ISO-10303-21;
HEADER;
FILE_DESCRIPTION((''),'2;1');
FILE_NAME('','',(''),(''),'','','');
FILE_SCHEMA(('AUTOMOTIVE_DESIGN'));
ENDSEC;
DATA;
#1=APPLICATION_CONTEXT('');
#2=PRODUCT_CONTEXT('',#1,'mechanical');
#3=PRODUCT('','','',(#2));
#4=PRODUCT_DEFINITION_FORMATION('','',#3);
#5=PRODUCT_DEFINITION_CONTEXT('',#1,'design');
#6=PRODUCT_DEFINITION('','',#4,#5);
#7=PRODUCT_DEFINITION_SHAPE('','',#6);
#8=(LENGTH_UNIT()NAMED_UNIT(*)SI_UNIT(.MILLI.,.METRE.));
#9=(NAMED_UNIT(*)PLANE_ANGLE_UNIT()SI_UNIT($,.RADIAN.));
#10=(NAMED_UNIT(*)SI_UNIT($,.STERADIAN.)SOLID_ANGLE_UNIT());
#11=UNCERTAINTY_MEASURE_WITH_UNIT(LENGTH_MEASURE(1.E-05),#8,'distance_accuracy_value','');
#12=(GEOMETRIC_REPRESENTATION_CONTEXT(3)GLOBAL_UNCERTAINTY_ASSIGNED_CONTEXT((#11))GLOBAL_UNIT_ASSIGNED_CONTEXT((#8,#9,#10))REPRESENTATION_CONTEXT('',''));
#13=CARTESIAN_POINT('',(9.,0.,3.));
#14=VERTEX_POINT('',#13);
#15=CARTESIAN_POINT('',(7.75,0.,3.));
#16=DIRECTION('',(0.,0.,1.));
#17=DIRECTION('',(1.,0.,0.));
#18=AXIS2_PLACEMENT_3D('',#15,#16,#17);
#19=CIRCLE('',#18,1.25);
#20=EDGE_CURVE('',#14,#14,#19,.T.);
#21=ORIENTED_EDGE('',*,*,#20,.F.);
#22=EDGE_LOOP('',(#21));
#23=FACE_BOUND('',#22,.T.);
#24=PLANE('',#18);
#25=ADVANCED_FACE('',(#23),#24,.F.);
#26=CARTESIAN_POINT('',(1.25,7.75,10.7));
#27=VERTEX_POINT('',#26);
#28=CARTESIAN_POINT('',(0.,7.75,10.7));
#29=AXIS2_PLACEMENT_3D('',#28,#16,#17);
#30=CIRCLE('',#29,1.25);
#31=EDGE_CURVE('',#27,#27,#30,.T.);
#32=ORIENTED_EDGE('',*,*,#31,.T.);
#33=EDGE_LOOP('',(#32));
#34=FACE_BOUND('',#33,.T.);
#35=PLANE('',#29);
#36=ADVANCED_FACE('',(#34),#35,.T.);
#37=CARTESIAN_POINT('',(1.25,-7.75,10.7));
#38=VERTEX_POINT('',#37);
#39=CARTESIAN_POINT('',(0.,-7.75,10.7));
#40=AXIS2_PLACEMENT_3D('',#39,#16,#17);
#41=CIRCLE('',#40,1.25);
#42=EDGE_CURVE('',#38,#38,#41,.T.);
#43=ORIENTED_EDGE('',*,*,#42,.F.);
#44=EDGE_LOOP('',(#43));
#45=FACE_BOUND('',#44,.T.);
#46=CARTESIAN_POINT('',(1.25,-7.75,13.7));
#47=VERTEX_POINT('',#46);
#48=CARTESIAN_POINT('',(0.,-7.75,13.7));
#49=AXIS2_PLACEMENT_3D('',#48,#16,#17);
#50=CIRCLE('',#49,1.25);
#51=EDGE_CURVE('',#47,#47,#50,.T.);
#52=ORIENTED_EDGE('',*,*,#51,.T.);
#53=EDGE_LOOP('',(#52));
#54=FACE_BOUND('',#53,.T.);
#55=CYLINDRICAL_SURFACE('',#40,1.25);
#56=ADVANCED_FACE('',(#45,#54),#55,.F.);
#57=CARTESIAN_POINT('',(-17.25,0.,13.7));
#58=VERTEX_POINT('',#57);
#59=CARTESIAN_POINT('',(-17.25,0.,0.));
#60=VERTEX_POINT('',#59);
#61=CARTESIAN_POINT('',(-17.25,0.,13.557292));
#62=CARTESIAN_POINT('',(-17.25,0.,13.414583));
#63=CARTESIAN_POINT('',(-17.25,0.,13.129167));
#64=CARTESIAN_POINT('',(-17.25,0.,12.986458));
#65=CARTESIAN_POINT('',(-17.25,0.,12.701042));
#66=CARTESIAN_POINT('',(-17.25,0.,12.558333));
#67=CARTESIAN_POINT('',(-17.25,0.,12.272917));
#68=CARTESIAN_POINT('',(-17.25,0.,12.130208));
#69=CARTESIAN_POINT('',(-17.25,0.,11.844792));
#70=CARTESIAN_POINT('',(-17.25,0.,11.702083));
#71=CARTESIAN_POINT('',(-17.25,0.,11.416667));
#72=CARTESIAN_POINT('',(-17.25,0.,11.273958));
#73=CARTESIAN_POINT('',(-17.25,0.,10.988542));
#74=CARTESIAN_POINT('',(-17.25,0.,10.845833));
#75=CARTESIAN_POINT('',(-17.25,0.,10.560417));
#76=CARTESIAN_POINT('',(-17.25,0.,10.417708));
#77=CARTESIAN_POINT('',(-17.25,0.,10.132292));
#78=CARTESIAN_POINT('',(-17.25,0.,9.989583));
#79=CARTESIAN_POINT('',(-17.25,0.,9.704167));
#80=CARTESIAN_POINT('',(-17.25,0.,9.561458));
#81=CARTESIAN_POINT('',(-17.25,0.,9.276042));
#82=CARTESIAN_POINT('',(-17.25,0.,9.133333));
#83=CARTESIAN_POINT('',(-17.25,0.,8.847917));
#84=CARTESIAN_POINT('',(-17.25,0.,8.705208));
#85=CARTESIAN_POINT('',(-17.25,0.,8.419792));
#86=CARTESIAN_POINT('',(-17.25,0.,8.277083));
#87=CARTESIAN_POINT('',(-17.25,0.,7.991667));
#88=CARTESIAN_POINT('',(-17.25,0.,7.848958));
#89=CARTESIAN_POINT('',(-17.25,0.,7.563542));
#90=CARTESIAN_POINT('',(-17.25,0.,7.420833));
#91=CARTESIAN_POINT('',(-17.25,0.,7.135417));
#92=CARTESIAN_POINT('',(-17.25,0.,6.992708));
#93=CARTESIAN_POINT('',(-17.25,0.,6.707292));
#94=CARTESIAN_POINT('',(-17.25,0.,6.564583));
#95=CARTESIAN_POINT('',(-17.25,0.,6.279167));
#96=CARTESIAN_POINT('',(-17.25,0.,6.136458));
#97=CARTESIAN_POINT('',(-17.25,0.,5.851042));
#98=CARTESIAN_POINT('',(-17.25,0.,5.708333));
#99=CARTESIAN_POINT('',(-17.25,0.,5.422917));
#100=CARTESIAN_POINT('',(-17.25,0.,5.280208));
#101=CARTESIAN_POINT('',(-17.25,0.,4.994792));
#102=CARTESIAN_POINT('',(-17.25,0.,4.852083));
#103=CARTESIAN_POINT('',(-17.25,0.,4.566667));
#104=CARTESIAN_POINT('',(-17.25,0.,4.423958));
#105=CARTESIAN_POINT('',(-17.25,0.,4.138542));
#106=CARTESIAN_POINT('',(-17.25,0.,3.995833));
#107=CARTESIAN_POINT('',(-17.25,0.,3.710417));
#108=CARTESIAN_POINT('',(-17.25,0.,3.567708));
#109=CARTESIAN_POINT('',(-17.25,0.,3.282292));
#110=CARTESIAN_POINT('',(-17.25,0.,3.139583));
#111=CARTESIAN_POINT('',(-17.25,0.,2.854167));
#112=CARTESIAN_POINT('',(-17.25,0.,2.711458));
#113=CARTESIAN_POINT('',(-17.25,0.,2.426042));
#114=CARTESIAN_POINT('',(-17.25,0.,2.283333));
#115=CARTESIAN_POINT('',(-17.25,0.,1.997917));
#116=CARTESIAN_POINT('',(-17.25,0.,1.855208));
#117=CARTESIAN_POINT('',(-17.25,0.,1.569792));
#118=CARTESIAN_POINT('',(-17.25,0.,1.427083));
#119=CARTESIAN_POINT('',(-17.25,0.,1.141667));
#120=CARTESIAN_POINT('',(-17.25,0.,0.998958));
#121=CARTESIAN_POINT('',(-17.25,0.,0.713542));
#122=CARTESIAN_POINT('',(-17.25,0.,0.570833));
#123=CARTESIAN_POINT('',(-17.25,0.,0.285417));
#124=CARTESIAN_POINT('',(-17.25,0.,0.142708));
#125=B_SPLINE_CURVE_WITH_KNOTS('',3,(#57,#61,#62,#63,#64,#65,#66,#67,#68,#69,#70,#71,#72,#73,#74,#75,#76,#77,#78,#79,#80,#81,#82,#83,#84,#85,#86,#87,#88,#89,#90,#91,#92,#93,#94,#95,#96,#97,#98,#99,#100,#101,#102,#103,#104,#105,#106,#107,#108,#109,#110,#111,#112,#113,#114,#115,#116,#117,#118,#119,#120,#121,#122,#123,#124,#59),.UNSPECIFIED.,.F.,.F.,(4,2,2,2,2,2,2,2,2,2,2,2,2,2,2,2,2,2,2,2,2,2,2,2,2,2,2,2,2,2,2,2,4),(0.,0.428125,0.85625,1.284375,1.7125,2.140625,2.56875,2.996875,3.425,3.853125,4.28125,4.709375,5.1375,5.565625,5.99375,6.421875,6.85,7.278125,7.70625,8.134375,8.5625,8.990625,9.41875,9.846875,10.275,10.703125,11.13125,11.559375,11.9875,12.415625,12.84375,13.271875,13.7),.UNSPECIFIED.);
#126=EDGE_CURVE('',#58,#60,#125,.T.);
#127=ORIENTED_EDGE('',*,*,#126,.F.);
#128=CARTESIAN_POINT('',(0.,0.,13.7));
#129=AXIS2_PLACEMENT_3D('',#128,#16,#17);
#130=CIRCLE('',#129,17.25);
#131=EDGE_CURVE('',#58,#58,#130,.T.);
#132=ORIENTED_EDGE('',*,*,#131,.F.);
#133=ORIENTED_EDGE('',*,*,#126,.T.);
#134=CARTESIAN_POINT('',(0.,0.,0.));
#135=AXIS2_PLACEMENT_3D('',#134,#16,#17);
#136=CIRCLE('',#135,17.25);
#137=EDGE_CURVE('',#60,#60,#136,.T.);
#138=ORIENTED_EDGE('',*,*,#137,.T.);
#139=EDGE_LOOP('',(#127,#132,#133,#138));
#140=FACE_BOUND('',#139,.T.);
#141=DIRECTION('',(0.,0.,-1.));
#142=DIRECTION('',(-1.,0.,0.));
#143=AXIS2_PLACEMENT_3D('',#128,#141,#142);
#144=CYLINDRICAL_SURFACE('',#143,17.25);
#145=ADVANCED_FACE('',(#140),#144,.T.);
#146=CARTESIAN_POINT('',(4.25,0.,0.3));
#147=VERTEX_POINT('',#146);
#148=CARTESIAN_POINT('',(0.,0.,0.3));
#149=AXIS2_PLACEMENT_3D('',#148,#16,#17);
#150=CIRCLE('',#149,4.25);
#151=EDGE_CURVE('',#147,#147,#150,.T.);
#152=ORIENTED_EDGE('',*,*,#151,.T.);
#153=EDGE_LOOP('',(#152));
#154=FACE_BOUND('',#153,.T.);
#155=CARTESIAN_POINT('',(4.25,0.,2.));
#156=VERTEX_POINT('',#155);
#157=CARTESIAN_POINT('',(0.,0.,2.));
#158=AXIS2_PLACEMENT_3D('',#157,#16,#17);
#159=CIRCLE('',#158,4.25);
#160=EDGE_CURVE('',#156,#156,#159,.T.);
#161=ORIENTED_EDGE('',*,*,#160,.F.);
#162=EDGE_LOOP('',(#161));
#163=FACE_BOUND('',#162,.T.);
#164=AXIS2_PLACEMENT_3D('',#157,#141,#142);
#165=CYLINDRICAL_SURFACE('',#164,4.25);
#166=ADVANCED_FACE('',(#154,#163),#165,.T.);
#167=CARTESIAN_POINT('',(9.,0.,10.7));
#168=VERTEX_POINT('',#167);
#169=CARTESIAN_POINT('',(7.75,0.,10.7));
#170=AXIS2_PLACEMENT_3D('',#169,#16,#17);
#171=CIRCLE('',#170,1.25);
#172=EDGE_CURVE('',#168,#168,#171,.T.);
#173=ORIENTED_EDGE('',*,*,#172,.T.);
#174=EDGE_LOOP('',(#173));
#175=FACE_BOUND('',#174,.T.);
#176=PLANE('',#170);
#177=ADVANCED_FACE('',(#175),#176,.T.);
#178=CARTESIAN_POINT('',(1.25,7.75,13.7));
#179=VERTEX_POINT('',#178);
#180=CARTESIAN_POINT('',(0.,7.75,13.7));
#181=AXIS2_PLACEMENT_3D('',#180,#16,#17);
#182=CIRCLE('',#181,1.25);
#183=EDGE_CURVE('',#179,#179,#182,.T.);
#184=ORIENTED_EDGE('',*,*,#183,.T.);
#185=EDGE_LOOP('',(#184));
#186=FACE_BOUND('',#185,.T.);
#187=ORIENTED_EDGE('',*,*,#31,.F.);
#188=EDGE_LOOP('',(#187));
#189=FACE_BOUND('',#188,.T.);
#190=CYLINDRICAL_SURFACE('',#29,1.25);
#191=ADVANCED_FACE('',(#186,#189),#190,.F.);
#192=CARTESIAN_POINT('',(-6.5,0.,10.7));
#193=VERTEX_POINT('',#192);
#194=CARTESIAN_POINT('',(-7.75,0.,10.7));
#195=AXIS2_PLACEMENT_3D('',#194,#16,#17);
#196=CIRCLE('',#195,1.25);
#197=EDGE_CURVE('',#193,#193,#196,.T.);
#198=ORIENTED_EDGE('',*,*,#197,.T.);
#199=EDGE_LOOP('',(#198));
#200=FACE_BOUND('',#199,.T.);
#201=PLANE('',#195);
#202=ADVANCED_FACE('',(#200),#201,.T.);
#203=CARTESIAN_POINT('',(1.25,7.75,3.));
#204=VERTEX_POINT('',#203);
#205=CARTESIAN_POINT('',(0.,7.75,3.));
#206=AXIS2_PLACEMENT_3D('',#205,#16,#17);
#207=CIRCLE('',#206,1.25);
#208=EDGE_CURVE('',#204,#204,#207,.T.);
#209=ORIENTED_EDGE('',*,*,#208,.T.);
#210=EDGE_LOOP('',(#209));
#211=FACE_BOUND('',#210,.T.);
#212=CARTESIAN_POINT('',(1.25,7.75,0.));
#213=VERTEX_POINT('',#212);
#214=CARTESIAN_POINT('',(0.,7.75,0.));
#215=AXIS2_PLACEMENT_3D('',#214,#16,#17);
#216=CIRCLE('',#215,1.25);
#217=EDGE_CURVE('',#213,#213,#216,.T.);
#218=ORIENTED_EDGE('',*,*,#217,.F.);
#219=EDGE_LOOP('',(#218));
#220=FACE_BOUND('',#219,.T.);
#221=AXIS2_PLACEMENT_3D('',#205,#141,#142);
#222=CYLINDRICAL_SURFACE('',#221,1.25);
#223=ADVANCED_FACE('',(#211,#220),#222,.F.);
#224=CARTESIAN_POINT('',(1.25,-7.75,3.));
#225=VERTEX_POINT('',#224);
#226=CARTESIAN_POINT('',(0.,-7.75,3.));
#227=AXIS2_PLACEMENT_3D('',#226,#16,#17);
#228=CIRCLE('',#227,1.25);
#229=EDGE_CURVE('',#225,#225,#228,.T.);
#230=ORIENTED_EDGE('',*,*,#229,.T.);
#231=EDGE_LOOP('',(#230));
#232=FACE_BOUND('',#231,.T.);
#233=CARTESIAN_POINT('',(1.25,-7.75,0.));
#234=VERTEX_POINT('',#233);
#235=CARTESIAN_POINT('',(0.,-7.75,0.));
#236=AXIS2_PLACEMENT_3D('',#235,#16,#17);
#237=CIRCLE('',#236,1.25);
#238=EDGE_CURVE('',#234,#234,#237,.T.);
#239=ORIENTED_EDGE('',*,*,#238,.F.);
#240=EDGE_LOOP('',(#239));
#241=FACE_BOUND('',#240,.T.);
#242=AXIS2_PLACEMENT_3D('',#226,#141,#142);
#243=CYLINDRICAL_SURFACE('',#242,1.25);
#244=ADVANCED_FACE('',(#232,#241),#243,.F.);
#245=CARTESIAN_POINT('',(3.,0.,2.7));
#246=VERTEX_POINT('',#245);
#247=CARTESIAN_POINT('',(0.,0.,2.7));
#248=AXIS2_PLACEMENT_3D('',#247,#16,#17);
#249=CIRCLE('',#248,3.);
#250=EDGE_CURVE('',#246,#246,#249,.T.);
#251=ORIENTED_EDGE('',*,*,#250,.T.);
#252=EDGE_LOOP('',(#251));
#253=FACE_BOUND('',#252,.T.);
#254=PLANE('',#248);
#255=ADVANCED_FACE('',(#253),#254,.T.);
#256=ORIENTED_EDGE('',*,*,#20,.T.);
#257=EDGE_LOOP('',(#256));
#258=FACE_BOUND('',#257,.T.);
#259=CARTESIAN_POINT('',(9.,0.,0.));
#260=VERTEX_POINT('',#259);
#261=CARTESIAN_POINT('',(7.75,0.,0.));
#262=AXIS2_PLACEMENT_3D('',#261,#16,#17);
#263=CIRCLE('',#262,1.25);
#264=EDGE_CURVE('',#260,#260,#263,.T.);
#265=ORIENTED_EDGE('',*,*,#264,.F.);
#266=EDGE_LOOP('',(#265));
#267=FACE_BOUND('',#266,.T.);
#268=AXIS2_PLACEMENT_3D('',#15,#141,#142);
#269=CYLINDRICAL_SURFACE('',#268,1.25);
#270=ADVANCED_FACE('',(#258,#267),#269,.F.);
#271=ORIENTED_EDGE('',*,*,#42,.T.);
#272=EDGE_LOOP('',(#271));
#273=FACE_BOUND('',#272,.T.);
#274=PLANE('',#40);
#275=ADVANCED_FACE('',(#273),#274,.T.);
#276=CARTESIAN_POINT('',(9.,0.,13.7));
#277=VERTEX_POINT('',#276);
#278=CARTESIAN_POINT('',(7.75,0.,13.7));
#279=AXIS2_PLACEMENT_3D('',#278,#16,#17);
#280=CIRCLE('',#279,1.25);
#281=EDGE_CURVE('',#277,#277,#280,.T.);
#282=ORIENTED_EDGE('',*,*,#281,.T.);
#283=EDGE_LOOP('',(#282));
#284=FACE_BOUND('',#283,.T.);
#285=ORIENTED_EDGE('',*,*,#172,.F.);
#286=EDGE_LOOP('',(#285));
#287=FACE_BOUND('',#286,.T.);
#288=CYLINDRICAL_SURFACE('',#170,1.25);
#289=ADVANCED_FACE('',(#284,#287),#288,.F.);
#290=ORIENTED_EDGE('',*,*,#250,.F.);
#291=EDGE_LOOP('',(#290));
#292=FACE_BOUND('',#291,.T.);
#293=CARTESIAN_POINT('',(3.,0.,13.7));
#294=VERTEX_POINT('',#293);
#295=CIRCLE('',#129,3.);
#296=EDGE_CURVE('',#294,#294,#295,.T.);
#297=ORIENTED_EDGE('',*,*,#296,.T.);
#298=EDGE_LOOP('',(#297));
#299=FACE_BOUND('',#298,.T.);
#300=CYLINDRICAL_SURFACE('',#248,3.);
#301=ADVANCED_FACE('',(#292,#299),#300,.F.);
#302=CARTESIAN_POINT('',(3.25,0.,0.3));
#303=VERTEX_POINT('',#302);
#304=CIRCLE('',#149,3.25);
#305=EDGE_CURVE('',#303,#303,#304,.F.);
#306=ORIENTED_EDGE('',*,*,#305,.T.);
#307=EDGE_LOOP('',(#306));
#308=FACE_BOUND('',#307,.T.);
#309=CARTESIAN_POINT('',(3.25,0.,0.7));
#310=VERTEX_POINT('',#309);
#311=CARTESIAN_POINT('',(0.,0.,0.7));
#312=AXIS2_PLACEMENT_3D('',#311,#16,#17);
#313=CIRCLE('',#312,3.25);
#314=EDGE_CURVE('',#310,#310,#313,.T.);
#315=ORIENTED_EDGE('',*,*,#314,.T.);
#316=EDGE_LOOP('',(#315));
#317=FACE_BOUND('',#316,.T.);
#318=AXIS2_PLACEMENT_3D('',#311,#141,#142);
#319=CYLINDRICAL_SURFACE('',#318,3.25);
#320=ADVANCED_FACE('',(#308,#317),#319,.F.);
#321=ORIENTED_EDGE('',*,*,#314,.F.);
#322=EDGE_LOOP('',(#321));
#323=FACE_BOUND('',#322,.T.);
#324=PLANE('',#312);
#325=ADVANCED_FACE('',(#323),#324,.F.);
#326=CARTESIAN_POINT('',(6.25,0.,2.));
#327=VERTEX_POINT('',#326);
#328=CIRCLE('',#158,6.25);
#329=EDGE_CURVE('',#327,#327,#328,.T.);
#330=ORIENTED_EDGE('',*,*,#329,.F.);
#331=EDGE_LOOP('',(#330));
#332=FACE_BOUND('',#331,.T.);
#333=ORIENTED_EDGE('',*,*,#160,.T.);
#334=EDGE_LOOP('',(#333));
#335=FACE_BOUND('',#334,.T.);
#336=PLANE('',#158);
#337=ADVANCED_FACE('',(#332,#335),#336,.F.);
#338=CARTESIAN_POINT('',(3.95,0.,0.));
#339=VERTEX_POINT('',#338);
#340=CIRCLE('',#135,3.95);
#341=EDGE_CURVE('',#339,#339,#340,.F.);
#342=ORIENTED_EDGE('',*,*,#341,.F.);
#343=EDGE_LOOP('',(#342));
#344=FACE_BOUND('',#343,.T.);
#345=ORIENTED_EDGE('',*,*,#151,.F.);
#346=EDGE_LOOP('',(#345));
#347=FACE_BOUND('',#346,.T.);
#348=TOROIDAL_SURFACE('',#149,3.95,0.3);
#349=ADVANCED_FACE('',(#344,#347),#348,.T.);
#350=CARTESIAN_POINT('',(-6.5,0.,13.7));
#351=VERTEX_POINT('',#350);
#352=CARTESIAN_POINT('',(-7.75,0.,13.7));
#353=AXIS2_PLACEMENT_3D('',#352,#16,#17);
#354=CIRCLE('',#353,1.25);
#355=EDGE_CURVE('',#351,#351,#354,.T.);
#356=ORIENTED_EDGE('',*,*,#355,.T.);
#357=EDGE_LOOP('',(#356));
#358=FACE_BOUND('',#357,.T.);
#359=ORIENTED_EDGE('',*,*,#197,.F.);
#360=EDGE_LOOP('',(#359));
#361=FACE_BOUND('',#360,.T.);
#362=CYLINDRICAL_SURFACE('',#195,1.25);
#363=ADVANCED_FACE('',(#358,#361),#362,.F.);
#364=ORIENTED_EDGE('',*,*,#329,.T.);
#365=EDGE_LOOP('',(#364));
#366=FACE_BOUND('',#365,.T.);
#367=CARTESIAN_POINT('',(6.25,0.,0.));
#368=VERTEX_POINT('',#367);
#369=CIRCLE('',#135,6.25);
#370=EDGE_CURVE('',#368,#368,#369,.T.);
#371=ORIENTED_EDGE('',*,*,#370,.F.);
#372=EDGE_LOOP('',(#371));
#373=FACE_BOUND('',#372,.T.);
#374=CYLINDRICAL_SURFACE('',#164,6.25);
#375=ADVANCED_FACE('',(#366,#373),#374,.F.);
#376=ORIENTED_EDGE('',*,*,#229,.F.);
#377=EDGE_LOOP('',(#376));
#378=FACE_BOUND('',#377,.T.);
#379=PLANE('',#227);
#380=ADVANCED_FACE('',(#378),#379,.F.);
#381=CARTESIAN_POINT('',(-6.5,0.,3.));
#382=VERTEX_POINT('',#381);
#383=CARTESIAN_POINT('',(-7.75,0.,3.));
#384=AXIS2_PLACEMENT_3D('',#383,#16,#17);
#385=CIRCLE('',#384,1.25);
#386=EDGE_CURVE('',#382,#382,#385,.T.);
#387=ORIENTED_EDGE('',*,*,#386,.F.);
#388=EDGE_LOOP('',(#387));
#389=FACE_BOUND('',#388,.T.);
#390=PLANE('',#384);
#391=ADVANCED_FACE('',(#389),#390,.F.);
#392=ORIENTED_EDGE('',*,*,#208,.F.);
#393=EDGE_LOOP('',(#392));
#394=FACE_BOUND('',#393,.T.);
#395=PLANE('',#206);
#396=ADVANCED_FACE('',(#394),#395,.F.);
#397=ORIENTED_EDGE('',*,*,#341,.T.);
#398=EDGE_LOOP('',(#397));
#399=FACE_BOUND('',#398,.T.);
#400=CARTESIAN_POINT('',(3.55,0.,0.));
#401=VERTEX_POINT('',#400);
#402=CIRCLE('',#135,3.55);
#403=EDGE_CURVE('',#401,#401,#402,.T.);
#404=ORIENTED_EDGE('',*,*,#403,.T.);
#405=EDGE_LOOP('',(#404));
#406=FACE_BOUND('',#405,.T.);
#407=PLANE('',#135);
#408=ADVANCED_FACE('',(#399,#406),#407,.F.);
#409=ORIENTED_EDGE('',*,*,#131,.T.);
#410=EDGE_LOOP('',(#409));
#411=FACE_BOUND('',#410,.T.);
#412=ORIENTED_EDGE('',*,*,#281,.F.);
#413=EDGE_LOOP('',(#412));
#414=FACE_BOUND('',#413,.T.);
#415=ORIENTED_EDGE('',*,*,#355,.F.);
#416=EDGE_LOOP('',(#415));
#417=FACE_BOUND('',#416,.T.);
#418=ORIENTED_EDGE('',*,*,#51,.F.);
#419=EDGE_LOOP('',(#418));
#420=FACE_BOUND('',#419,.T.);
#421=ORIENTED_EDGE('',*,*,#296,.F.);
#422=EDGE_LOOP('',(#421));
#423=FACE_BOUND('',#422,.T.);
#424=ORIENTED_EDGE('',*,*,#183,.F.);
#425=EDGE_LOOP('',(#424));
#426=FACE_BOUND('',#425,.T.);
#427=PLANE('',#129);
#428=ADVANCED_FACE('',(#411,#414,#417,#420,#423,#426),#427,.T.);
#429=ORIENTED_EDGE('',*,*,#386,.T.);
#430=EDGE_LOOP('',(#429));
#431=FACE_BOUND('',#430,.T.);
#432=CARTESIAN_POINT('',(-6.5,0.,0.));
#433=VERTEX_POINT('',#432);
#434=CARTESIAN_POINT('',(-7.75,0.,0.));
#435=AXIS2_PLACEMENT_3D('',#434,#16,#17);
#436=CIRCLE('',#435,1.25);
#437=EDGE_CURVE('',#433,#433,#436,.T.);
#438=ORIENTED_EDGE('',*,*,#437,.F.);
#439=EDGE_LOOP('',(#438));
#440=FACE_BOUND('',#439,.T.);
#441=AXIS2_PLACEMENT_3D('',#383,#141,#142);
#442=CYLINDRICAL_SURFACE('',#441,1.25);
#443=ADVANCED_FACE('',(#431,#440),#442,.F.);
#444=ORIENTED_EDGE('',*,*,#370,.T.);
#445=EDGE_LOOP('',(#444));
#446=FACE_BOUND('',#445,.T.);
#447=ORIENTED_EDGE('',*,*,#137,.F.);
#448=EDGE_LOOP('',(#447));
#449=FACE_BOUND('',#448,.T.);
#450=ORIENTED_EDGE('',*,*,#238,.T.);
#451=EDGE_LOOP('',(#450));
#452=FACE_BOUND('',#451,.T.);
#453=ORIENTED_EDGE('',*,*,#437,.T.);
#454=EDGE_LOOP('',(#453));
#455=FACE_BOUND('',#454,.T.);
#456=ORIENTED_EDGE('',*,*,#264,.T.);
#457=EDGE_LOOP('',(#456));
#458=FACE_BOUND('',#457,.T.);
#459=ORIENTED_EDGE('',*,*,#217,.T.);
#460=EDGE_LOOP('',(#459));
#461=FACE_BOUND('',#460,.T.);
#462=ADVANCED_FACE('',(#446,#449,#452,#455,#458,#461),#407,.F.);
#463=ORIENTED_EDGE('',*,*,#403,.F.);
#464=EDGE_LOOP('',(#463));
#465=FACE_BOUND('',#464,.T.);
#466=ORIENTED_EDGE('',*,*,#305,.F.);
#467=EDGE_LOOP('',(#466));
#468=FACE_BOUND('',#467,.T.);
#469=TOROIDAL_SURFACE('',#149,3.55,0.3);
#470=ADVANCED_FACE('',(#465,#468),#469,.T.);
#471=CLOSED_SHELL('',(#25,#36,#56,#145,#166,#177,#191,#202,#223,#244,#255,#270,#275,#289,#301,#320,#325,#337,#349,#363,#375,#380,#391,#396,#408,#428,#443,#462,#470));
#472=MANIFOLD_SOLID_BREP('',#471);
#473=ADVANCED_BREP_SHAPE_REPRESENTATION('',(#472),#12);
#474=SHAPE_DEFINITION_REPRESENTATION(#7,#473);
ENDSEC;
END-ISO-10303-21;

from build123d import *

# Parameters (mm, degrees)
SKETCH_1_R          = 17.25
EXTRUDE_1_DEPTH     = 13.7
SKETCH_2_R          = 1.25
CUT_EXTRUDE_1_DEPTH = 3
CUT_EXTRUDE_START   = 3
SKETCH_3_R          = 1.25
CUT_EXTRUDE_2_DEPTH = 3
SKETCH_4_R          = 6.25
SKETCH_4_R_2        = 4.25
CUT_EXTRUDE_3_DEPTH = 2
SKETCH_5_R          = 3.25
CUT_EXTRUDE_4_DEPTH = 0.7
FILLET_1_R          = 0.3
SKETCH_6_R          = 3
CUT_EXTRUDE_6_DEPTH = 11


with BuildPart() as part:
    # 草图1 → 凸台-拉伸1 (new body)
    with BuildSketch(Plane.XY):
        with Locations(Location((0, 0, 0), (0, 0, 180))):
            Circle(SKETCH_1_R)
    extrude(amount=EXTRUDE_1_DEPTH)

    # 草图2 → 切除-拉伸1 (cut)
    with BuildSketch(Plane.XY.offset(13.7)):
        with Locations((0, 7.75)):
            Circle(SKETCH_2_R)
        with Locations((7.75, 0)):
            Circle(SKETCH_2_R)
        with Locations((0, -7.75)):
            Circle(SKETCH_2_R)
        with Locations((-7.75, 0)):
            Circle(SKETCH_2_R)
    extrude(amount=-CUT_EXTRUDE_1_DEPTH, mode=Mode.SUBTRACT)

    # 草图3 → 切除-拉伸2 (cut)
    with BuildSketch(Plane.XY.offset(CUT_EXTRUDE_START)):
        with Locations((0, 7.75)):
            Circle(SKETCH_3_R)
        with Locations((7.75, 0)):
            Circle(SKETCH_3_R)
        with Locations((0, -7.75)):
            Circle(SKETCH_3_R)
        with Locations((-7.75, 0)):
            Circle(SKETCH_3_R)
    extrude(amount=-CUT_EXTRUDE_2_DEPTH, mode=Mode.SUBTRACT)

    # 草图4 → 切除-拉伸3 (cut)
    with BuildSketch(Plane.XY):
        Circle(SKETCH_4_R)
        Circle(SKETCH_4_R_2, mode=Mode.SUBTRACT)
    extrude(amount=CUT_EXTRUDE_3_DEPTH, mode=Mode.SUBTRACT)

    # 草图5 → 切除-拉伸4 (cut)
    with BuildSketch(Plane.XY):
        Circle(SKETCH_5_R)
    extrude(amount=CUT_EXTRUDE_4_DEPTH, mode=Mode.SUBTRACT)

    # 圆角1
    fillet_1_edges = [part.edges().sort_by_distance(p)[0] for p in [
        (-4.25, 0, 0),
        (-3.25, 0, 0),
    ]]
    fillet(fillet_1_edges, radius=FILLET_1_R)

    # 草图6 → 切除-拉伸6 (cut)
    with BuildSketch(Plane.XY.offset(13.7)):
        Circle(SKETCH_6_R)
    extrude(amount=-CUT_EXTRUDE_6_DEPTH, mode=Mode.SUBTRACT)


solid = part.part
